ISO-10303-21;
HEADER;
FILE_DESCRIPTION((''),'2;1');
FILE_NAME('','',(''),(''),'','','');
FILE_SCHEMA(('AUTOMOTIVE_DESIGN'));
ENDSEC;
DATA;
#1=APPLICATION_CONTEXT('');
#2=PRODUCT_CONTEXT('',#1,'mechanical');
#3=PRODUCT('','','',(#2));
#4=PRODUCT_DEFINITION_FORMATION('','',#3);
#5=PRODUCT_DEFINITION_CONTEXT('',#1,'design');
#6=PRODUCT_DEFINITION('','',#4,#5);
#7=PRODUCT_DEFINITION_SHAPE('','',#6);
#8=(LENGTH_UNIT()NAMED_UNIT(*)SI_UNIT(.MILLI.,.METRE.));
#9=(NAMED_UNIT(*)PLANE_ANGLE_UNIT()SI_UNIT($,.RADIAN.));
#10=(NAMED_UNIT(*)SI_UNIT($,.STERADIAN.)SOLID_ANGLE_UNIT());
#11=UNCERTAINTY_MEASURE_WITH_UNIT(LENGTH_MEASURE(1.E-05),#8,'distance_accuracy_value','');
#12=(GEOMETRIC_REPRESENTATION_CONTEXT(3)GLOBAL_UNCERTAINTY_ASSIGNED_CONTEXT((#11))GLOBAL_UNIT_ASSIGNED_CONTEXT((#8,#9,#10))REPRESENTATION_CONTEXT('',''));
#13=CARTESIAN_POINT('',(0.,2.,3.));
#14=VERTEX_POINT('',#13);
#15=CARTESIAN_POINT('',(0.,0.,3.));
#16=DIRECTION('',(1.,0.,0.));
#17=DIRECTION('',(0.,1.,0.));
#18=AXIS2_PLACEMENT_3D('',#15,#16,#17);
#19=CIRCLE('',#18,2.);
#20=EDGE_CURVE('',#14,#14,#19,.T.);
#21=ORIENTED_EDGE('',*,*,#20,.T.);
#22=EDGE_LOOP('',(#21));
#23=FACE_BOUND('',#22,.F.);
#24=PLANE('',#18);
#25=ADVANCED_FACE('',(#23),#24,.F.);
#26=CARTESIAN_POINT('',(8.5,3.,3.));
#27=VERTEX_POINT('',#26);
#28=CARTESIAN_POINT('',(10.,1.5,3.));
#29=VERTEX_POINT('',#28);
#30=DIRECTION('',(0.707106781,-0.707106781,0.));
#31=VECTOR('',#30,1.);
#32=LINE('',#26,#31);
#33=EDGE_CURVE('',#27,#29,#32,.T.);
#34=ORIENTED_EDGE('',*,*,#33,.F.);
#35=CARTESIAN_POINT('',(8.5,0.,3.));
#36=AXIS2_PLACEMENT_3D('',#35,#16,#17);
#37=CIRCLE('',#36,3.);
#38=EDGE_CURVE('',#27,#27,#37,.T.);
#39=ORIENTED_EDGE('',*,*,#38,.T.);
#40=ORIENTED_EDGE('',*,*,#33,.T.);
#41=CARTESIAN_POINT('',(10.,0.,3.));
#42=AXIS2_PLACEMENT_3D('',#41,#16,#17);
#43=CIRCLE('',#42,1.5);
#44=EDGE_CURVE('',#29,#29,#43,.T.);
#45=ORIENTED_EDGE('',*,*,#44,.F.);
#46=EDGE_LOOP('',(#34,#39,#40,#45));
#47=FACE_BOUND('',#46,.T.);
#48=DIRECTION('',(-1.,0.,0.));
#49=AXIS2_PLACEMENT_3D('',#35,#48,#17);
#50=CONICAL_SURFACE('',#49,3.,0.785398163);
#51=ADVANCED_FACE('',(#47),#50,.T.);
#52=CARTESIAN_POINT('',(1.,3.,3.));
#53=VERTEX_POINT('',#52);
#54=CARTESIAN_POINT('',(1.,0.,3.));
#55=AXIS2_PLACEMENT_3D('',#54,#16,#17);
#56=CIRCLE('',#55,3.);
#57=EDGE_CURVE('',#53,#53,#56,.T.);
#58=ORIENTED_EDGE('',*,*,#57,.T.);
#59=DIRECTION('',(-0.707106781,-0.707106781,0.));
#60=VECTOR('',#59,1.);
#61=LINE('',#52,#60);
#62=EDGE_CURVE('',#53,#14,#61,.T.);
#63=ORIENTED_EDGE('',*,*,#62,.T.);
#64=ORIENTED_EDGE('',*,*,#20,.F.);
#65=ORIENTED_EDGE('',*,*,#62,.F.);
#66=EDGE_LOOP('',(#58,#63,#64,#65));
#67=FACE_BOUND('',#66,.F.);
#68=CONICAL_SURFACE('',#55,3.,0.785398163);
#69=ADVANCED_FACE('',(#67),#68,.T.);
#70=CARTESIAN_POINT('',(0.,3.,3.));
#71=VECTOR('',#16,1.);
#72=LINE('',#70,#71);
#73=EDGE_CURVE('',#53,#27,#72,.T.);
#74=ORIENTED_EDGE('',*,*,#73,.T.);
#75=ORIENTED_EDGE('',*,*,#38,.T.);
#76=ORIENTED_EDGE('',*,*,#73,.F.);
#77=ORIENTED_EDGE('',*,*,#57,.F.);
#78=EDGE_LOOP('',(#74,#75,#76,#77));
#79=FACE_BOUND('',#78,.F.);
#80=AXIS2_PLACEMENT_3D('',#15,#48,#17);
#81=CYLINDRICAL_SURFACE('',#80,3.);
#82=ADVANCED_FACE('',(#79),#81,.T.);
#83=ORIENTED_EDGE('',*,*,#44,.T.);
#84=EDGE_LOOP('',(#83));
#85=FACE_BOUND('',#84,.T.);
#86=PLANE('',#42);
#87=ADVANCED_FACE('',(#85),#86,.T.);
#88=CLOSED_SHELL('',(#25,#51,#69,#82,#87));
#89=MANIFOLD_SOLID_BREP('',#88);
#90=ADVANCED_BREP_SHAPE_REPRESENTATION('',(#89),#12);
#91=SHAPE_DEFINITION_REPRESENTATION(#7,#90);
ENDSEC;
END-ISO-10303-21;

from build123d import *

# Parameters (mm, degrees)
F0_R     = 3
F1_DEPTH = 10
F2_SIZE  = 1.5
F3_SIZE  = 1


with BuildPart() as f1:
    # F0 (on Right) → F1 (new body)
    with BuildSketch(Plane.YZ):
        with Locations((0, 3)):
            Circle(F0_R)
    extrude(amount=F1_DEPTH)

    # F2
    f2_edges = [f1.edges().sort_by_distance(p)[0] for p in [
        (10, -3, 3),
    ]]
    chamfer(f2_edges, length=F2_SIZE)

    # F3
    f3_edges = [f1.edges().sort_by_distance(p)[0] for p in [
        (0, -3, 3),
    ]]
    chamfer(f3_edges, length=F3_SIZE)


solid = f1.part
